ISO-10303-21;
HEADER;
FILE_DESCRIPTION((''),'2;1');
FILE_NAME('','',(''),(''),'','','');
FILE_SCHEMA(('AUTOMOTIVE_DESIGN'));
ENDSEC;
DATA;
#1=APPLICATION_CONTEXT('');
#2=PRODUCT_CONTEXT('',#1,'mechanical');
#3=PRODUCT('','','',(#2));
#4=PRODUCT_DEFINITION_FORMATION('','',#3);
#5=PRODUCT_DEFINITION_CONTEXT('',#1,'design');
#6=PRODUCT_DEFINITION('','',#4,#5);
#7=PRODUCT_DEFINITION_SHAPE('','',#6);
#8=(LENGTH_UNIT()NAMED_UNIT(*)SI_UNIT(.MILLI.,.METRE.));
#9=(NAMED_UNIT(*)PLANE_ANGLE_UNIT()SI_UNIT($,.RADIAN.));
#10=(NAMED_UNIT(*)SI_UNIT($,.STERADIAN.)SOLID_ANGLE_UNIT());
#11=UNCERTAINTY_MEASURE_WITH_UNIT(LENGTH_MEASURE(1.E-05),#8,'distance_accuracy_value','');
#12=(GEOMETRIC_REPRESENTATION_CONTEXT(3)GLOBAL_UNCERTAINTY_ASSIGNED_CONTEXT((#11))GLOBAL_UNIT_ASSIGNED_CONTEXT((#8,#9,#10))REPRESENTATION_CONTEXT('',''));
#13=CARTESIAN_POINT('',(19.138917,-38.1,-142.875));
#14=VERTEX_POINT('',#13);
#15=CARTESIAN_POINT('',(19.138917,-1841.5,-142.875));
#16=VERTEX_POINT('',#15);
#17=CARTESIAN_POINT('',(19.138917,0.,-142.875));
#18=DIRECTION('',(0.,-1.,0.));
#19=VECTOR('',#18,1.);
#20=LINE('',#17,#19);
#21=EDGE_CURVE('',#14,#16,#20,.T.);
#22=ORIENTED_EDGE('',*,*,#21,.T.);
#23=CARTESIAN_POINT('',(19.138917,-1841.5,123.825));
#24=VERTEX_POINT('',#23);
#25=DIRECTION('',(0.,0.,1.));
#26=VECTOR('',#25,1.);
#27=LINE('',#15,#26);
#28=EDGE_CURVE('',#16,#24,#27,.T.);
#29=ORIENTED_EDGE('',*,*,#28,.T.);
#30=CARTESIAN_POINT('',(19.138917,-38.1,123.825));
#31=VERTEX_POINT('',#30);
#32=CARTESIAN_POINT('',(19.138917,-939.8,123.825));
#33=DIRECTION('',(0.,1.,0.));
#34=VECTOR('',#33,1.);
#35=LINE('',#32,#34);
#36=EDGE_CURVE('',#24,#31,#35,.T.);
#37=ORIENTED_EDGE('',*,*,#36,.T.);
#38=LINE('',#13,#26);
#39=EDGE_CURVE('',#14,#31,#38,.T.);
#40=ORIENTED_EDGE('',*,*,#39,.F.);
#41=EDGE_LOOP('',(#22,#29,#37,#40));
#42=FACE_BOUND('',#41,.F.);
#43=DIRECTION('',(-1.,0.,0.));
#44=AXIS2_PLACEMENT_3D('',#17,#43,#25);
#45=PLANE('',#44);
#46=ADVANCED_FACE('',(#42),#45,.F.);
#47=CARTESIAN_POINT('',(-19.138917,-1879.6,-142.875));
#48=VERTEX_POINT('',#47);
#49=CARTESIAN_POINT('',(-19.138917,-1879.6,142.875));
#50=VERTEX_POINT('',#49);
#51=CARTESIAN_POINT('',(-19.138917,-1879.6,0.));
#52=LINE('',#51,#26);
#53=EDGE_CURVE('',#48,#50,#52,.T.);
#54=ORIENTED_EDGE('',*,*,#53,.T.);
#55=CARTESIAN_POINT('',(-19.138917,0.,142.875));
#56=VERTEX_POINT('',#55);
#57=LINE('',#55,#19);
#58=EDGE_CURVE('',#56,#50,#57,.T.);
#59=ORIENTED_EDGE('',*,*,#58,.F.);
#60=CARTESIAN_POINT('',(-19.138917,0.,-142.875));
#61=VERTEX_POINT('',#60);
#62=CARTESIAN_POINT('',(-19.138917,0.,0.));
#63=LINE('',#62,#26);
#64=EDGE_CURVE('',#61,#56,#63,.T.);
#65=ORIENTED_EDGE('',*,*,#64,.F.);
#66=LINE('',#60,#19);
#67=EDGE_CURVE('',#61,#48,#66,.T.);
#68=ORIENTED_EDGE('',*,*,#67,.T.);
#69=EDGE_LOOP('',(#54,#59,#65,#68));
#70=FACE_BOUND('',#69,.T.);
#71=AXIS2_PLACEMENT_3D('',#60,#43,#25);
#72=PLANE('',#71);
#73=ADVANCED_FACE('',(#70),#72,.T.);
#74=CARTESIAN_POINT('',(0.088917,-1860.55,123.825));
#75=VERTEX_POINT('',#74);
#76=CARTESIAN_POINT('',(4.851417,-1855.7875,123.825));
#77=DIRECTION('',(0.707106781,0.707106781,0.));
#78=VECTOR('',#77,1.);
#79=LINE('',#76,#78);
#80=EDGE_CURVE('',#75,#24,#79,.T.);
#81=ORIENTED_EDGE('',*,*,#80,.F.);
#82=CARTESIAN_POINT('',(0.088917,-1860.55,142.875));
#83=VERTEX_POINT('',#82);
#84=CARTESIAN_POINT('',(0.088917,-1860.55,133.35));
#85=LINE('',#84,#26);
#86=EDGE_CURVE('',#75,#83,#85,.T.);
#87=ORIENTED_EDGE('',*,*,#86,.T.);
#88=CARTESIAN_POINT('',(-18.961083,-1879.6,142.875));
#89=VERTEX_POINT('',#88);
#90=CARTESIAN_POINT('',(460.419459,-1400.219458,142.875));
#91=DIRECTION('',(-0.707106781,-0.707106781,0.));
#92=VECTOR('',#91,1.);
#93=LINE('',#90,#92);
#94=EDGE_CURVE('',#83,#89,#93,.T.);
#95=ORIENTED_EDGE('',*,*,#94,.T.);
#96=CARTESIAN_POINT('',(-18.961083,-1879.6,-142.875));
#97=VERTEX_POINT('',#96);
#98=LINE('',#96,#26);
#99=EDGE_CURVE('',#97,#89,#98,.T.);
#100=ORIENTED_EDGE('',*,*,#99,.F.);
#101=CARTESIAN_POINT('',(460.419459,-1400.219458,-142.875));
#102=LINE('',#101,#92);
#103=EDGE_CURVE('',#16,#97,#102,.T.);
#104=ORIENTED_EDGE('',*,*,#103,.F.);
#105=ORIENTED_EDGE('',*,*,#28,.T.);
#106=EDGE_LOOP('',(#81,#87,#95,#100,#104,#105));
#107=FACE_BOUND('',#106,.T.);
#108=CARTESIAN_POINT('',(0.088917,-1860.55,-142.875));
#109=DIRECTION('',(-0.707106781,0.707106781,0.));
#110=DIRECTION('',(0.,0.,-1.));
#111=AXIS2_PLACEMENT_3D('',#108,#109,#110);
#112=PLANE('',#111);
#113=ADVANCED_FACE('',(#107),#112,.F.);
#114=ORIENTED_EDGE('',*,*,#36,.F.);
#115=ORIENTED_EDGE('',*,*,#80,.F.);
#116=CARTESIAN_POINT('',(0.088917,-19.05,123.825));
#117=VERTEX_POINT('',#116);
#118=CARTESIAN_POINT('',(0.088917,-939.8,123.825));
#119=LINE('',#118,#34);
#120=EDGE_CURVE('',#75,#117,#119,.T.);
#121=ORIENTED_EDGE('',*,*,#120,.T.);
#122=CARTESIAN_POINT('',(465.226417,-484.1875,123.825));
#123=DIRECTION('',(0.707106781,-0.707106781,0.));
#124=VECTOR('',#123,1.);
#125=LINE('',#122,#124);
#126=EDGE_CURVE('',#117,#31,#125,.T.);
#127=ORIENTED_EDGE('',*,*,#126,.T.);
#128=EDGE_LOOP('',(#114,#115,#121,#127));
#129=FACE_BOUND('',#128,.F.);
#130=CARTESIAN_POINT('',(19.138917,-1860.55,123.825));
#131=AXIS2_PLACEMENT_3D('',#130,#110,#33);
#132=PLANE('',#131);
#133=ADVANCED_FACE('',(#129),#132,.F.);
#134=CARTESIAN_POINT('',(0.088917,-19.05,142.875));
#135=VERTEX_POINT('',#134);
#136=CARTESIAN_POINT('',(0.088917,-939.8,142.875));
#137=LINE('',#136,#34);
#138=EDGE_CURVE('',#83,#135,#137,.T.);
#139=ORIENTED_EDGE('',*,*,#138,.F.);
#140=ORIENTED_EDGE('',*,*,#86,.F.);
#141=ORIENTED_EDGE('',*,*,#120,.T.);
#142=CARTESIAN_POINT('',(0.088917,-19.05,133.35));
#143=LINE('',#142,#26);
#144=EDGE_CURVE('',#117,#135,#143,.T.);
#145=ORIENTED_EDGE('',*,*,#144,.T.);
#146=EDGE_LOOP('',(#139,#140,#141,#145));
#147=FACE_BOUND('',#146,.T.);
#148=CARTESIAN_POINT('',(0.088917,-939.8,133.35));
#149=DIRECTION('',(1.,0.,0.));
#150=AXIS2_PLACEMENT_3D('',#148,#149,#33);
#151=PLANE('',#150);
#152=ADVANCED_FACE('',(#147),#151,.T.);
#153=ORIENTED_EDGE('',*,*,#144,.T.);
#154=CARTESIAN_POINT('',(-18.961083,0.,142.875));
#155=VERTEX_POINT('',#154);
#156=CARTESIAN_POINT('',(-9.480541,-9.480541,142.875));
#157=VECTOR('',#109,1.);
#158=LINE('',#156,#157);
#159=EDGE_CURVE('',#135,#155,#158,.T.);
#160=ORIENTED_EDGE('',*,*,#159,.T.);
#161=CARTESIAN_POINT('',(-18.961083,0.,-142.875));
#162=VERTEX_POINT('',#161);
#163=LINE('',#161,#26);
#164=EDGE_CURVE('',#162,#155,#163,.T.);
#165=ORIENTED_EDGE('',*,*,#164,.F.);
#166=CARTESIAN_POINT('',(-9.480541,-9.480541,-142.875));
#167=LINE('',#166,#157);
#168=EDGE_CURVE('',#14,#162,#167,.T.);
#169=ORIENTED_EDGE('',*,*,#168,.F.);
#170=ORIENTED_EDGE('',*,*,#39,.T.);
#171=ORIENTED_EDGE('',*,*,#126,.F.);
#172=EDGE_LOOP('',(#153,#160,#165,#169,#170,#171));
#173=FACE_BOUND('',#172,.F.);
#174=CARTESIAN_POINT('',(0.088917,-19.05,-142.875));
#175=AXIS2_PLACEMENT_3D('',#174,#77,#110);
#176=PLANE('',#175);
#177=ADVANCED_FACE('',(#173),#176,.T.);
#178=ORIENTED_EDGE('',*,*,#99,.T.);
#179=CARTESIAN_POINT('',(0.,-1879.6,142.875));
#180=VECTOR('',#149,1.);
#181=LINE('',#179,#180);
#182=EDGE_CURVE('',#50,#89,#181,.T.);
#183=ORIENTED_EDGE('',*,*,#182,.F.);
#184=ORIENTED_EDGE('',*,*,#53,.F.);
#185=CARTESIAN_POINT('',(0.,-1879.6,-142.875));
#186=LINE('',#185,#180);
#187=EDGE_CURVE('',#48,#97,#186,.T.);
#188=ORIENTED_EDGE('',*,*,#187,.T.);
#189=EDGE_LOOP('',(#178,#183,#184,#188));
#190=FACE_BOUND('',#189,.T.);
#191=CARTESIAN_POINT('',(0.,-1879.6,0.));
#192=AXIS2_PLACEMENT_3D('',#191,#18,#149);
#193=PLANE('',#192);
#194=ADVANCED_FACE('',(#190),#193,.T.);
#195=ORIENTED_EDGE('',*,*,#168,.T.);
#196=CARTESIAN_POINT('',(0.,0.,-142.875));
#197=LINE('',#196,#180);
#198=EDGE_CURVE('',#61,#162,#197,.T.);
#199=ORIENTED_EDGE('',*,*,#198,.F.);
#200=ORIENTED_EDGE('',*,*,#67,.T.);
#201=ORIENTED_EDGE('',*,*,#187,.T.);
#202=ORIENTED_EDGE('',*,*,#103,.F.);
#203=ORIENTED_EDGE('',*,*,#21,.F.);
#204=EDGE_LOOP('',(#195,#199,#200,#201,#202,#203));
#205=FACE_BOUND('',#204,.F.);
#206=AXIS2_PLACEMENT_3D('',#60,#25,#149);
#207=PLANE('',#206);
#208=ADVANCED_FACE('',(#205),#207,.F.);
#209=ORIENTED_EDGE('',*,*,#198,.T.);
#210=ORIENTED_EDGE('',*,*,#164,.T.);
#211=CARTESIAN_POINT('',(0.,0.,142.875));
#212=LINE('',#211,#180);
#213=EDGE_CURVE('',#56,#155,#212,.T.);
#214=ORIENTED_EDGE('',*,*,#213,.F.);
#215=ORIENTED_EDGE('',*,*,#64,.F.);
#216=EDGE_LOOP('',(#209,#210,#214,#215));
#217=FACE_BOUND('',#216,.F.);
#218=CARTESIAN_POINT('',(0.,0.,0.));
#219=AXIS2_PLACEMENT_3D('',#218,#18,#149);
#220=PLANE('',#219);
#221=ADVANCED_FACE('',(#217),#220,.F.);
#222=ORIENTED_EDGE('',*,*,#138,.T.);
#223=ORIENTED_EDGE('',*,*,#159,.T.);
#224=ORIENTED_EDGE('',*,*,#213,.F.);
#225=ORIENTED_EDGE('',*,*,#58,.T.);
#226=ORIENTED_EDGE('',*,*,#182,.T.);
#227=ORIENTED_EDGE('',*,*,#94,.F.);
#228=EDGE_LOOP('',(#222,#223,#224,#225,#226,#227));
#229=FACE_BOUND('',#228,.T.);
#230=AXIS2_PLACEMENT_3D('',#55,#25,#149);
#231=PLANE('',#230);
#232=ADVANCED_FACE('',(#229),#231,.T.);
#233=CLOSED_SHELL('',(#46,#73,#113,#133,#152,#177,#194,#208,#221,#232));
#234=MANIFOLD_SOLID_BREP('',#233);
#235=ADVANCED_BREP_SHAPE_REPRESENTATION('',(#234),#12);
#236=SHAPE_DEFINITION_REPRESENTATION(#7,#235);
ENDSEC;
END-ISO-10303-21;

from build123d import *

# Parameters (mm, degrees)
F0_W     = 38.277834
F0_H     = 285.75
F1_DEPTH = 1879.6
F2_SIZE  = 38.1
F3_W     = 1841.5
F3_H     = 19.05
F4_DEPTH = 19.05


with BuildPart() as f1:
    # F0 (on Front) → F1 (new body)
    with BuildSketch(Plane.XZ):
        Rectangle(F0_W, F0_H)
    extrude(amount=F1_DEPTH)

    # F2
    f2_edges = [f1.edges().sort_by_distance(p)[0] for p in [
        (19.138917, -1879.6, 0),
        (19.138917, 0, 0),
    ]]
    chamfer(f2_edges, length=F2_SIZE)

    # F3 (on face) → F4 (cut)
    with BuildSketch(Plane.YZ.offset(19.138917)):
        with Locations((-939.8, 133.35)):
            Rectangle(F3_W, F3_H)
    extrude(amount=-F4_DEPTH, mode=Mode.SUBTRACT)


solid = f1.part
